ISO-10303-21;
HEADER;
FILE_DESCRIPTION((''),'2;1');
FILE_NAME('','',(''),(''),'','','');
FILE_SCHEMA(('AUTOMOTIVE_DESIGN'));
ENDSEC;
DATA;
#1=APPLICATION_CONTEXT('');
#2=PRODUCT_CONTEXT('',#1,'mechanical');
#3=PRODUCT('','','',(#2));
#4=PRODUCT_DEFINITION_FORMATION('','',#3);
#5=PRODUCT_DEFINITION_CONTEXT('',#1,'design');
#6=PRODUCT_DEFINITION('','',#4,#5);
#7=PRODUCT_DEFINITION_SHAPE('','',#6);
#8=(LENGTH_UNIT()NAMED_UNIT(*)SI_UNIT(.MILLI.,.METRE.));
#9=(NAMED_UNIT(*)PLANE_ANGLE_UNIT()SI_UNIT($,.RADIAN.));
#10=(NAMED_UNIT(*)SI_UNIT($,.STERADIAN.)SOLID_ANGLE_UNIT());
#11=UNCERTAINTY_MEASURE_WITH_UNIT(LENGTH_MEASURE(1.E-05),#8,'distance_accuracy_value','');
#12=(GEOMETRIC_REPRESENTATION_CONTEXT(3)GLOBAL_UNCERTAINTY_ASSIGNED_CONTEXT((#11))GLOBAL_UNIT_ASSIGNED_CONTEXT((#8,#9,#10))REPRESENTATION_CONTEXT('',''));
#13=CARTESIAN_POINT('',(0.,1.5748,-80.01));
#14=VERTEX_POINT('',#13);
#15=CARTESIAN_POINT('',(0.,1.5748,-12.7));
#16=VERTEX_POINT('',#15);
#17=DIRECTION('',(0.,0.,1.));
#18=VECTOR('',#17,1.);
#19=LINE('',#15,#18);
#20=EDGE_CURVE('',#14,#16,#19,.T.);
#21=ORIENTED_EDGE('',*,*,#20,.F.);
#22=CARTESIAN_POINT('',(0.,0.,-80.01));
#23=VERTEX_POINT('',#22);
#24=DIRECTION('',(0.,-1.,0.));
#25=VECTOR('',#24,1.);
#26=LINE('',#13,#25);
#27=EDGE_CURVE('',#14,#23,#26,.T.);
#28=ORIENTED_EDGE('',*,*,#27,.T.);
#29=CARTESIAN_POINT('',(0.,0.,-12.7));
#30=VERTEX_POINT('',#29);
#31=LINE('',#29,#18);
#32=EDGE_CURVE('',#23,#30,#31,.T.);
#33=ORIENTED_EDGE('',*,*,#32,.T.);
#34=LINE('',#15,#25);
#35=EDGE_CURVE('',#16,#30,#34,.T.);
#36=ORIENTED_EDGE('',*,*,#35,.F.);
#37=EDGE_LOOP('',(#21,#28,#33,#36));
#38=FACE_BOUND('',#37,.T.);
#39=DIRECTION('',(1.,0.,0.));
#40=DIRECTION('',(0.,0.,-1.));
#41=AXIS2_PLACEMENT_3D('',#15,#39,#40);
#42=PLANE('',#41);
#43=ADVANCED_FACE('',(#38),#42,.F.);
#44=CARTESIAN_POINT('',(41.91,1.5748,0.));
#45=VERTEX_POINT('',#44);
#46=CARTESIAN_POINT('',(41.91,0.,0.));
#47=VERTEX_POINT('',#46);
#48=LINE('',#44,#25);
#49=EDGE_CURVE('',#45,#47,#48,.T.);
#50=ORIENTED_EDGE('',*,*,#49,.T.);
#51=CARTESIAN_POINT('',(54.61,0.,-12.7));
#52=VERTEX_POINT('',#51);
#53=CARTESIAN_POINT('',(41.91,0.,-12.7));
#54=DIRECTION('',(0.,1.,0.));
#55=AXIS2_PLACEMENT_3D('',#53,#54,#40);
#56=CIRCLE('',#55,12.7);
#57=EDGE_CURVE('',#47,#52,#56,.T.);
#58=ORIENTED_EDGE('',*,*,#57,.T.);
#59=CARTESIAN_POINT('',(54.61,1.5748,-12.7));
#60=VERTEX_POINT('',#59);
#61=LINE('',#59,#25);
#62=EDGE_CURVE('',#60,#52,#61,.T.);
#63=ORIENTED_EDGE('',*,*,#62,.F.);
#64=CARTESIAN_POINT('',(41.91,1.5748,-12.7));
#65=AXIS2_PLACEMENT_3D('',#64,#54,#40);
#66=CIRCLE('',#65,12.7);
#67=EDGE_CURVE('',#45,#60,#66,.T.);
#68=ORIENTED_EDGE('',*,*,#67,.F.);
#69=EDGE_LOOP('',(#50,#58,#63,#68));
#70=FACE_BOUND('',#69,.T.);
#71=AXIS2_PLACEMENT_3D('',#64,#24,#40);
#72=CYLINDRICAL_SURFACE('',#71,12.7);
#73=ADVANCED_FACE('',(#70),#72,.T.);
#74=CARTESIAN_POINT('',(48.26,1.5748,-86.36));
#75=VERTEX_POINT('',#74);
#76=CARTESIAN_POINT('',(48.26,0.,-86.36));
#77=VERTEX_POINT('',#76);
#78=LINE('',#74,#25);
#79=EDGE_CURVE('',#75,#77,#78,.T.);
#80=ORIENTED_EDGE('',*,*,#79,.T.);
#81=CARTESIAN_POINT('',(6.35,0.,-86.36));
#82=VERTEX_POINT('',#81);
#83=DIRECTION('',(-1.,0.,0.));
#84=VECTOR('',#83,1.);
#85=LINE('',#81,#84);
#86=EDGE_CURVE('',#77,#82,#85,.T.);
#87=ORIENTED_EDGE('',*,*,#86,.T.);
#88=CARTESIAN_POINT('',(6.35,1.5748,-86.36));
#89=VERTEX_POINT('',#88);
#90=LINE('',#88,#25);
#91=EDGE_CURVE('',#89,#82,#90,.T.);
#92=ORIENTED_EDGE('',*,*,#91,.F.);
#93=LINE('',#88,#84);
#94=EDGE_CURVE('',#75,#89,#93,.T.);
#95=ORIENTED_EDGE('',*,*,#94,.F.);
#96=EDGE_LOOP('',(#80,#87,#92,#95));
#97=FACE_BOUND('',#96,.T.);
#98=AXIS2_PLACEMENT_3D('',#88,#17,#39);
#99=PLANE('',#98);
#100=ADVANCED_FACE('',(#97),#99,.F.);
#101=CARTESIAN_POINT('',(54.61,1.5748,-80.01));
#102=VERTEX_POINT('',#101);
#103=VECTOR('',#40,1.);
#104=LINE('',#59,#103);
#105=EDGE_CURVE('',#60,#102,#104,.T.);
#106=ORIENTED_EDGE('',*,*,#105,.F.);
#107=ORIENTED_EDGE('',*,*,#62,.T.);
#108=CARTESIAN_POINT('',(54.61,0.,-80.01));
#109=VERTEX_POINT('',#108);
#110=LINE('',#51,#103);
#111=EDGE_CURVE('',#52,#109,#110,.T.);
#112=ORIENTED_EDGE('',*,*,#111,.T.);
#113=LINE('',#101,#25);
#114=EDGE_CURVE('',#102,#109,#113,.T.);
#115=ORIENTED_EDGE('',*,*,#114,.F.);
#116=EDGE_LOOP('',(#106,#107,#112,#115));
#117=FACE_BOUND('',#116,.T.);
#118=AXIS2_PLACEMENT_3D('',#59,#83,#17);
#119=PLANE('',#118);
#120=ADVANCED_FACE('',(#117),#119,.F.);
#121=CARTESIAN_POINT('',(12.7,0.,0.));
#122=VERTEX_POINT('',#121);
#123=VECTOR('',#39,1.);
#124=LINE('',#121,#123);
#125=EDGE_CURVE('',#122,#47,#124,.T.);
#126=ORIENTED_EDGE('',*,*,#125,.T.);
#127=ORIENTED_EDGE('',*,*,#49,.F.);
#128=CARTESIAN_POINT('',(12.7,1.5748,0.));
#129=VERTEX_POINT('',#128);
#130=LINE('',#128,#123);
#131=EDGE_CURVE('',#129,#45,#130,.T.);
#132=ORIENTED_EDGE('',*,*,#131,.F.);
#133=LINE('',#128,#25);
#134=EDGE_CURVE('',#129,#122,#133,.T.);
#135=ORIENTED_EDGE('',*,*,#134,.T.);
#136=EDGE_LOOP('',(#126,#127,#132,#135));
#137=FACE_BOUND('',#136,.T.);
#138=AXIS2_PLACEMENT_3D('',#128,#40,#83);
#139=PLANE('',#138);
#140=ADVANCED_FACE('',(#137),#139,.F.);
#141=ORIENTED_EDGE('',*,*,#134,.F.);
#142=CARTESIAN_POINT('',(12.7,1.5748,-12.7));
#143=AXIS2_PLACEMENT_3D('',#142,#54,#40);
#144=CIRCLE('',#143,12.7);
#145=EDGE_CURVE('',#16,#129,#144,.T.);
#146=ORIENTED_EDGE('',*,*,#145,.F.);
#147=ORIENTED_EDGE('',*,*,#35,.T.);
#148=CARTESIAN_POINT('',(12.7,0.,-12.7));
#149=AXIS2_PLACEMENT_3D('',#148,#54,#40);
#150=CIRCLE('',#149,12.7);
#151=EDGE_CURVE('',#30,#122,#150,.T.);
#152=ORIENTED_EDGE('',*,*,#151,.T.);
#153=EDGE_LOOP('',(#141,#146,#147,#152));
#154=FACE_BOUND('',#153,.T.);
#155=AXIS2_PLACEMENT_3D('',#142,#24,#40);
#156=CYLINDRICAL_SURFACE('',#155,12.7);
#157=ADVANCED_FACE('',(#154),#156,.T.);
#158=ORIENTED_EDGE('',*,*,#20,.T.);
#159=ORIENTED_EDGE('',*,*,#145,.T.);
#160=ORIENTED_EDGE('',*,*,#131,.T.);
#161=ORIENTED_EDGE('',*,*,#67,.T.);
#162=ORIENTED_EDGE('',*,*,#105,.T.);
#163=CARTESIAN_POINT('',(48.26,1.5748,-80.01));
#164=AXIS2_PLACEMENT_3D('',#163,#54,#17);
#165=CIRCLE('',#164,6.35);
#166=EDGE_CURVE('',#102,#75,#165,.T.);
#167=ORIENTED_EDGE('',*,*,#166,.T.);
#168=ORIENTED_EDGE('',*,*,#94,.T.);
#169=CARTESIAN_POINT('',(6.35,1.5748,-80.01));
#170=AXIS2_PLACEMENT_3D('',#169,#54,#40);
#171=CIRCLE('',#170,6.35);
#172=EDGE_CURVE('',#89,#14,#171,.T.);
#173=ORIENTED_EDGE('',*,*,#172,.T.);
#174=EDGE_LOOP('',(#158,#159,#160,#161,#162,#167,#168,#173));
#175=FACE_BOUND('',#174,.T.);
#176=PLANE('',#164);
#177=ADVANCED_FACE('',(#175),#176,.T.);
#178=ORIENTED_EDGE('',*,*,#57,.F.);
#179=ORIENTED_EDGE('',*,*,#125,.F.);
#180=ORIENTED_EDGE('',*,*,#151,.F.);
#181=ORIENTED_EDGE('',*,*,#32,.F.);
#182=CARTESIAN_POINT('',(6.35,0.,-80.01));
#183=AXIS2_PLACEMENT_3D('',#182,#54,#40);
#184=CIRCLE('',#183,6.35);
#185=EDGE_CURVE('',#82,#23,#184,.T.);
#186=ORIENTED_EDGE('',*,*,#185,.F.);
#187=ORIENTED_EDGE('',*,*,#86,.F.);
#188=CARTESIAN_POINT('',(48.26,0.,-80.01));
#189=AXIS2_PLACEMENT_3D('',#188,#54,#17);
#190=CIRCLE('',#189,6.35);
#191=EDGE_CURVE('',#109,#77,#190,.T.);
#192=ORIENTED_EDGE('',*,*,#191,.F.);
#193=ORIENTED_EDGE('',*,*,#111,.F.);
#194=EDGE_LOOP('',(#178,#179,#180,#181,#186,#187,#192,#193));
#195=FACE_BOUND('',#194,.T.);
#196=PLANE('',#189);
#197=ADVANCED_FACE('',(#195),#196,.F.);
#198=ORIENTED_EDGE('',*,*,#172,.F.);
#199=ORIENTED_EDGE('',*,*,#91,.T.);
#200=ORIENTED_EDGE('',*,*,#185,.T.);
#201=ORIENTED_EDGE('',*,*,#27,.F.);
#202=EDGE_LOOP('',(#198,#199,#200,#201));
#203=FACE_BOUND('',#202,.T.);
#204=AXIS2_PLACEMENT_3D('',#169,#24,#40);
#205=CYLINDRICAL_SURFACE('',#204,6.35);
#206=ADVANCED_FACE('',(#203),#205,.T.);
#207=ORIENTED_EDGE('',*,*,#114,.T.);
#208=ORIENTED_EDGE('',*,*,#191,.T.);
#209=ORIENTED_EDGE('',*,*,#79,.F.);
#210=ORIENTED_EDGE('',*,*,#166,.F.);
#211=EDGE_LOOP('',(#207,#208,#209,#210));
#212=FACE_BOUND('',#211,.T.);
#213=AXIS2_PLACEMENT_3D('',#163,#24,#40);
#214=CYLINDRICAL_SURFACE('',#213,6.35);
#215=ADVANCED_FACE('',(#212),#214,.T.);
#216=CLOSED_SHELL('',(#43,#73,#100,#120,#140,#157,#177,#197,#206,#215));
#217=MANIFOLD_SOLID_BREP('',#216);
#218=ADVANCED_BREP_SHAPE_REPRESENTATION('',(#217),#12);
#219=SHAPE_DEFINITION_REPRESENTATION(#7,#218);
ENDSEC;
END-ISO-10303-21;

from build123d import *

# Parameters (mm, degrees)
BOSS_EXTRUDE1_DEPTH = 1.5748


with BuildPart() as part:
    # Sketch1 → Boss-Extrude1 (new body)
    with BuildSketch(Plane(origin=(0, 0, 0), x_dir=(1, 0, 0), z_dir=(0, 1, 0))):
        with BuildLine():
            Line((12.7, 0), (41.91, 0))
            ThreePointArc((41.91, 0), (50.890256121, 3.719743879), (54.61, 12.7))
            Line((54.61, 12.7), (54.61, 80.01))
            ThreePointArc((54.61, 80.01), (52.750128061, 84.500128061), (48.26, 86.36))
            Line((48.26, 86.36), (6.35, 86.36))
            ThreePointArc((6.35, 86.36), (1.859871939, 84.500128061), (0, 80.01))
            Line((0, 80.01), (0, 12.7))
            ThreePointArc((0, 12.7), (3.719743879, 3.719743879), (12.7, 0))
        make_face()
    extrude(amount=BOSS_EXTRUDE1_DEPTH)


solid = part.part
